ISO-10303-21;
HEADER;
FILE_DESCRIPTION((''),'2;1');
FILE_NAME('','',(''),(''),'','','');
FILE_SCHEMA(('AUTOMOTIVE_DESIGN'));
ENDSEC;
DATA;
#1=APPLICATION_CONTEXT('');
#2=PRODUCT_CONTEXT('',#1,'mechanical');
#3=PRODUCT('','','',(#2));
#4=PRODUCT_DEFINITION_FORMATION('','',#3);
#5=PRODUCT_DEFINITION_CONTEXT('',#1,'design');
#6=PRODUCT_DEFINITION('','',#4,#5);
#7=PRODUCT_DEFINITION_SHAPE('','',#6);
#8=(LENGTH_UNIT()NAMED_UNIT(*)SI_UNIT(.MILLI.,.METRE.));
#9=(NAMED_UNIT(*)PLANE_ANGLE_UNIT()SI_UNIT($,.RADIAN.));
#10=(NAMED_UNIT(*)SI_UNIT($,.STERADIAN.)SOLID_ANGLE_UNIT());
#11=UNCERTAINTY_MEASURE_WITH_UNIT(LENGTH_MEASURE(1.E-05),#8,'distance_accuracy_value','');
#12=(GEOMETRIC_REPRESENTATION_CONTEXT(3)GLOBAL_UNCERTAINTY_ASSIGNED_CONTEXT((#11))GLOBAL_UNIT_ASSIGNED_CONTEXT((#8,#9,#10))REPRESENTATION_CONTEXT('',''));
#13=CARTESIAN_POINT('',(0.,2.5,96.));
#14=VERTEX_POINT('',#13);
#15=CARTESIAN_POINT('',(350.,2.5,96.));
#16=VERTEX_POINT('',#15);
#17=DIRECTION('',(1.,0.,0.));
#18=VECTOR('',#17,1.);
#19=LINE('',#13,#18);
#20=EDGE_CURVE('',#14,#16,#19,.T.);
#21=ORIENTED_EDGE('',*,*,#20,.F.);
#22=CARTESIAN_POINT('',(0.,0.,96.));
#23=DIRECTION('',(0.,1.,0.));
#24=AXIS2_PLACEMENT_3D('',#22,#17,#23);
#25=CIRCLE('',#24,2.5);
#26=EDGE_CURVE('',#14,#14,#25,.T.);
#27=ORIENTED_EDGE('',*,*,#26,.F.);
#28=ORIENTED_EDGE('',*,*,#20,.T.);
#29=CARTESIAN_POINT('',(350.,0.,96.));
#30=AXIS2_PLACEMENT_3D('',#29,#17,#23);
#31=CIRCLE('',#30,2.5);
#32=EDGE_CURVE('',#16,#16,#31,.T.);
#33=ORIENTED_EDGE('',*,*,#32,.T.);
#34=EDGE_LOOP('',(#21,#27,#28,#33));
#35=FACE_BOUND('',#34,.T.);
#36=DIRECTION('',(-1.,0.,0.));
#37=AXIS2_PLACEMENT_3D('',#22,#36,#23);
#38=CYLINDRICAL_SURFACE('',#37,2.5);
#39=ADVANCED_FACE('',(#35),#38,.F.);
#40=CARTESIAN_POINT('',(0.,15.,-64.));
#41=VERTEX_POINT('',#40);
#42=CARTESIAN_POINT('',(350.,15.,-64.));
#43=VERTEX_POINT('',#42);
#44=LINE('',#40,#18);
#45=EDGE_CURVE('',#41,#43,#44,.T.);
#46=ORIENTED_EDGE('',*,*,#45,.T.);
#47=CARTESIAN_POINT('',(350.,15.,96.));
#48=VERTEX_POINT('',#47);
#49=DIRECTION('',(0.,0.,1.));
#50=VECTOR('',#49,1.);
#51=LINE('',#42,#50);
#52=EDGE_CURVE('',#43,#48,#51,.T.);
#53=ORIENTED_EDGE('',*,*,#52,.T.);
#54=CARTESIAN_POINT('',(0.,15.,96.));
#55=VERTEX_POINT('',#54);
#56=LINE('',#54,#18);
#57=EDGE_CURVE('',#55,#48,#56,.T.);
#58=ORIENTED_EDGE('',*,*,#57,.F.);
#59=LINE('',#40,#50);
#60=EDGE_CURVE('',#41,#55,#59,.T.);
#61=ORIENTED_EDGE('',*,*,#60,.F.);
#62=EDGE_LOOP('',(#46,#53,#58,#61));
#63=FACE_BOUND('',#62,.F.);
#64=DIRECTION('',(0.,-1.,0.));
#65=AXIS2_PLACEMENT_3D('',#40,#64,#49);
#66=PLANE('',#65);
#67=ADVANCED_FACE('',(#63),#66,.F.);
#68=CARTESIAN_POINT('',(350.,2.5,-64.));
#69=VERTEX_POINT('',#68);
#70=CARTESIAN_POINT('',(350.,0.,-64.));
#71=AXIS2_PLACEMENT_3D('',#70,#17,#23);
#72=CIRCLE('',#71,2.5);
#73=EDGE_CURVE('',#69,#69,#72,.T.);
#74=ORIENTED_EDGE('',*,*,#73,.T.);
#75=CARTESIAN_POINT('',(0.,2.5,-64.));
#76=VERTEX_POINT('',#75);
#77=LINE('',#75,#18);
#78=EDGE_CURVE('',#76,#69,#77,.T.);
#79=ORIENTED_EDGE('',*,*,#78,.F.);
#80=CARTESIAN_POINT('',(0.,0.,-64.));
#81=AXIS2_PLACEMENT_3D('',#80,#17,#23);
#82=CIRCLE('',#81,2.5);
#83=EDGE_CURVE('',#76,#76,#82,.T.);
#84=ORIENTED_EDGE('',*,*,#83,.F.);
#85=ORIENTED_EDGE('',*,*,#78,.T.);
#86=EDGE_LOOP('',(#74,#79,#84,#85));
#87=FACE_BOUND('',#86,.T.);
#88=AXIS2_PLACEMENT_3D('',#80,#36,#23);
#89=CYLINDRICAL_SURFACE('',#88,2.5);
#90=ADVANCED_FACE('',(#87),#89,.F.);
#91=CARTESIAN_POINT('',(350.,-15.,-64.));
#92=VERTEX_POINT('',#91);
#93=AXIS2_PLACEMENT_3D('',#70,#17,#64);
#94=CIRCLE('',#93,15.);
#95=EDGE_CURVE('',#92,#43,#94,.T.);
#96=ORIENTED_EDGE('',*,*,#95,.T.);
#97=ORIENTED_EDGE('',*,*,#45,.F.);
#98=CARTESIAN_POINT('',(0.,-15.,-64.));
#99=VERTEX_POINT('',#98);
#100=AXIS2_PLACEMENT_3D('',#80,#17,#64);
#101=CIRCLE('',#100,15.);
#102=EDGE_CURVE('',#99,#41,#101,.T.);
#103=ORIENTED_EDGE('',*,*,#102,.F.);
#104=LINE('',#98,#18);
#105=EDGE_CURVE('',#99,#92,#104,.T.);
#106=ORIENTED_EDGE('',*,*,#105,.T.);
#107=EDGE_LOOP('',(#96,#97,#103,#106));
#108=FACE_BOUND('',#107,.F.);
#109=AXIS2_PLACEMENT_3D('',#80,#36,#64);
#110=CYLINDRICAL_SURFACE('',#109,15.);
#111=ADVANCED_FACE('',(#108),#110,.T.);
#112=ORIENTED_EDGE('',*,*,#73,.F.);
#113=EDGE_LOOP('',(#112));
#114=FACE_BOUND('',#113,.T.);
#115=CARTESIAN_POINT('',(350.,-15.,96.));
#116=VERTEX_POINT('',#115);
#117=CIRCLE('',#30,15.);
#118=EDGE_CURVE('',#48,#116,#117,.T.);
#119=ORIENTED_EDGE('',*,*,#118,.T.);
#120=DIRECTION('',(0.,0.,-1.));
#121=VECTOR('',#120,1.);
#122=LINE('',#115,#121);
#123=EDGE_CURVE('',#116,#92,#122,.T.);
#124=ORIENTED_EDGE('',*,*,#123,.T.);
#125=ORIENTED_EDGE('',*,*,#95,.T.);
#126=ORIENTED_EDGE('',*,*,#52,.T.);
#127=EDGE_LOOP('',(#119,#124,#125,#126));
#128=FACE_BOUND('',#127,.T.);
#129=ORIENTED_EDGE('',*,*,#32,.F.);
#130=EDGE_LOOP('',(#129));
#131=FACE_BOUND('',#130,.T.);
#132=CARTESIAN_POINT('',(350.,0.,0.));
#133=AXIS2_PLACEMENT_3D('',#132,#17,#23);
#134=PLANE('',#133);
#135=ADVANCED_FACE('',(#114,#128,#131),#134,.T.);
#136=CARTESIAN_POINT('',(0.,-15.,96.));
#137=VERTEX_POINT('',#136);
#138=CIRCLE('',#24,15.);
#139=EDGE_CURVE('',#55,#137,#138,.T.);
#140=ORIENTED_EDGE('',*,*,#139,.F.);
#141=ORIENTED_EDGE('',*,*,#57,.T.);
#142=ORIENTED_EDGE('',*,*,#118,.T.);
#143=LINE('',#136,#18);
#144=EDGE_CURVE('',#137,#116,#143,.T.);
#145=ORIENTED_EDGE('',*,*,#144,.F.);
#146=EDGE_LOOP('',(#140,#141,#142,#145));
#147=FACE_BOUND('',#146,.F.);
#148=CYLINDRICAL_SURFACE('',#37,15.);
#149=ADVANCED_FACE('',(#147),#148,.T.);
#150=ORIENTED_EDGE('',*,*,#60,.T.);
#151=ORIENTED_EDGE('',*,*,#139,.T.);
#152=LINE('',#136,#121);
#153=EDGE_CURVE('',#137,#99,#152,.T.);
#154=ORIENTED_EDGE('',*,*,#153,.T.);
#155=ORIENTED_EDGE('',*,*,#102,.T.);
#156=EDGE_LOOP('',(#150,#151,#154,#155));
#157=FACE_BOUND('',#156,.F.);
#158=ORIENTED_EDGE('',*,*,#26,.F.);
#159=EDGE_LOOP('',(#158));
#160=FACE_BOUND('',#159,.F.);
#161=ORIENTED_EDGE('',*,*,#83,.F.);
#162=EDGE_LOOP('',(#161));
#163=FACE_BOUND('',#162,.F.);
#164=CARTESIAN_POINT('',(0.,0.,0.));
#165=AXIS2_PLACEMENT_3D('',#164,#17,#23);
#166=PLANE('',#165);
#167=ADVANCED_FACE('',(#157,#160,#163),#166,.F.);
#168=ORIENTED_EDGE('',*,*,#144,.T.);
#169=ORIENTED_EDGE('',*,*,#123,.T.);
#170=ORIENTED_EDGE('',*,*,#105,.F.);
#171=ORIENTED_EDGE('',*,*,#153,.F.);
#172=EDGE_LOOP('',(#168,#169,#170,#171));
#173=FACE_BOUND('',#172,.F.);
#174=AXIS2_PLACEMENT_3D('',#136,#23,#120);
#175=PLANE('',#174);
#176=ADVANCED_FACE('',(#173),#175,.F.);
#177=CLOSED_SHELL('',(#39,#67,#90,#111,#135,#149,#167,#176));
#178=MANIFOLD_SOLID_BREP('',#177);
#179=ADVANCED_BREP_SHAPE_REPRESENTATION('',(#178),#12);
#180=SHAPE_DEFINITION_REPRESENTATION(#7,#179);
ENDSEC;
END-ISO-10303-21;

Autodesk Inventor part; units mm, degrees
ref_plane "YZ Plane" through (0, 0, 0) normal (1, 0, 0) x (0, 1, 0)
ref_plane "XZ Plane" through (0, 0, 0) normal (0, 1, 0) x (-1, 0, 0)
ref_plane "XY Plane" through (0, 0, 0) normal (0, 0, 1) x (1, 0, 0)
sketch "Sketch1" plane through (0, 0, 0) normal (1, 0, 0) x (0, 1, 0)
  circle A0 centre (0, 96) radius 2.5
  circle A1 centre (0, -64) radius 2.5
  line L0 (0, 96) -> (0, -64) construction
  line L1 (-15, 96) -> (-15, -64)
  line L2 (15, -64) -> (15, 96)
  arc A2 (15, 96) -> (-15, 96) centre (0, 96) ccw
  arc A3 (-15, -64) -> (15, -64) centre (0, -64) ccw
  point P0 (0, 0)
  point P1 (0, 0)
  point P2 (0, 16)
  dimension "d0" = 30
  dimension "d3" = 160
extrude "Extrusion1" add sketch "Sketch1" along normal blind 350
properties part number "Roller"
